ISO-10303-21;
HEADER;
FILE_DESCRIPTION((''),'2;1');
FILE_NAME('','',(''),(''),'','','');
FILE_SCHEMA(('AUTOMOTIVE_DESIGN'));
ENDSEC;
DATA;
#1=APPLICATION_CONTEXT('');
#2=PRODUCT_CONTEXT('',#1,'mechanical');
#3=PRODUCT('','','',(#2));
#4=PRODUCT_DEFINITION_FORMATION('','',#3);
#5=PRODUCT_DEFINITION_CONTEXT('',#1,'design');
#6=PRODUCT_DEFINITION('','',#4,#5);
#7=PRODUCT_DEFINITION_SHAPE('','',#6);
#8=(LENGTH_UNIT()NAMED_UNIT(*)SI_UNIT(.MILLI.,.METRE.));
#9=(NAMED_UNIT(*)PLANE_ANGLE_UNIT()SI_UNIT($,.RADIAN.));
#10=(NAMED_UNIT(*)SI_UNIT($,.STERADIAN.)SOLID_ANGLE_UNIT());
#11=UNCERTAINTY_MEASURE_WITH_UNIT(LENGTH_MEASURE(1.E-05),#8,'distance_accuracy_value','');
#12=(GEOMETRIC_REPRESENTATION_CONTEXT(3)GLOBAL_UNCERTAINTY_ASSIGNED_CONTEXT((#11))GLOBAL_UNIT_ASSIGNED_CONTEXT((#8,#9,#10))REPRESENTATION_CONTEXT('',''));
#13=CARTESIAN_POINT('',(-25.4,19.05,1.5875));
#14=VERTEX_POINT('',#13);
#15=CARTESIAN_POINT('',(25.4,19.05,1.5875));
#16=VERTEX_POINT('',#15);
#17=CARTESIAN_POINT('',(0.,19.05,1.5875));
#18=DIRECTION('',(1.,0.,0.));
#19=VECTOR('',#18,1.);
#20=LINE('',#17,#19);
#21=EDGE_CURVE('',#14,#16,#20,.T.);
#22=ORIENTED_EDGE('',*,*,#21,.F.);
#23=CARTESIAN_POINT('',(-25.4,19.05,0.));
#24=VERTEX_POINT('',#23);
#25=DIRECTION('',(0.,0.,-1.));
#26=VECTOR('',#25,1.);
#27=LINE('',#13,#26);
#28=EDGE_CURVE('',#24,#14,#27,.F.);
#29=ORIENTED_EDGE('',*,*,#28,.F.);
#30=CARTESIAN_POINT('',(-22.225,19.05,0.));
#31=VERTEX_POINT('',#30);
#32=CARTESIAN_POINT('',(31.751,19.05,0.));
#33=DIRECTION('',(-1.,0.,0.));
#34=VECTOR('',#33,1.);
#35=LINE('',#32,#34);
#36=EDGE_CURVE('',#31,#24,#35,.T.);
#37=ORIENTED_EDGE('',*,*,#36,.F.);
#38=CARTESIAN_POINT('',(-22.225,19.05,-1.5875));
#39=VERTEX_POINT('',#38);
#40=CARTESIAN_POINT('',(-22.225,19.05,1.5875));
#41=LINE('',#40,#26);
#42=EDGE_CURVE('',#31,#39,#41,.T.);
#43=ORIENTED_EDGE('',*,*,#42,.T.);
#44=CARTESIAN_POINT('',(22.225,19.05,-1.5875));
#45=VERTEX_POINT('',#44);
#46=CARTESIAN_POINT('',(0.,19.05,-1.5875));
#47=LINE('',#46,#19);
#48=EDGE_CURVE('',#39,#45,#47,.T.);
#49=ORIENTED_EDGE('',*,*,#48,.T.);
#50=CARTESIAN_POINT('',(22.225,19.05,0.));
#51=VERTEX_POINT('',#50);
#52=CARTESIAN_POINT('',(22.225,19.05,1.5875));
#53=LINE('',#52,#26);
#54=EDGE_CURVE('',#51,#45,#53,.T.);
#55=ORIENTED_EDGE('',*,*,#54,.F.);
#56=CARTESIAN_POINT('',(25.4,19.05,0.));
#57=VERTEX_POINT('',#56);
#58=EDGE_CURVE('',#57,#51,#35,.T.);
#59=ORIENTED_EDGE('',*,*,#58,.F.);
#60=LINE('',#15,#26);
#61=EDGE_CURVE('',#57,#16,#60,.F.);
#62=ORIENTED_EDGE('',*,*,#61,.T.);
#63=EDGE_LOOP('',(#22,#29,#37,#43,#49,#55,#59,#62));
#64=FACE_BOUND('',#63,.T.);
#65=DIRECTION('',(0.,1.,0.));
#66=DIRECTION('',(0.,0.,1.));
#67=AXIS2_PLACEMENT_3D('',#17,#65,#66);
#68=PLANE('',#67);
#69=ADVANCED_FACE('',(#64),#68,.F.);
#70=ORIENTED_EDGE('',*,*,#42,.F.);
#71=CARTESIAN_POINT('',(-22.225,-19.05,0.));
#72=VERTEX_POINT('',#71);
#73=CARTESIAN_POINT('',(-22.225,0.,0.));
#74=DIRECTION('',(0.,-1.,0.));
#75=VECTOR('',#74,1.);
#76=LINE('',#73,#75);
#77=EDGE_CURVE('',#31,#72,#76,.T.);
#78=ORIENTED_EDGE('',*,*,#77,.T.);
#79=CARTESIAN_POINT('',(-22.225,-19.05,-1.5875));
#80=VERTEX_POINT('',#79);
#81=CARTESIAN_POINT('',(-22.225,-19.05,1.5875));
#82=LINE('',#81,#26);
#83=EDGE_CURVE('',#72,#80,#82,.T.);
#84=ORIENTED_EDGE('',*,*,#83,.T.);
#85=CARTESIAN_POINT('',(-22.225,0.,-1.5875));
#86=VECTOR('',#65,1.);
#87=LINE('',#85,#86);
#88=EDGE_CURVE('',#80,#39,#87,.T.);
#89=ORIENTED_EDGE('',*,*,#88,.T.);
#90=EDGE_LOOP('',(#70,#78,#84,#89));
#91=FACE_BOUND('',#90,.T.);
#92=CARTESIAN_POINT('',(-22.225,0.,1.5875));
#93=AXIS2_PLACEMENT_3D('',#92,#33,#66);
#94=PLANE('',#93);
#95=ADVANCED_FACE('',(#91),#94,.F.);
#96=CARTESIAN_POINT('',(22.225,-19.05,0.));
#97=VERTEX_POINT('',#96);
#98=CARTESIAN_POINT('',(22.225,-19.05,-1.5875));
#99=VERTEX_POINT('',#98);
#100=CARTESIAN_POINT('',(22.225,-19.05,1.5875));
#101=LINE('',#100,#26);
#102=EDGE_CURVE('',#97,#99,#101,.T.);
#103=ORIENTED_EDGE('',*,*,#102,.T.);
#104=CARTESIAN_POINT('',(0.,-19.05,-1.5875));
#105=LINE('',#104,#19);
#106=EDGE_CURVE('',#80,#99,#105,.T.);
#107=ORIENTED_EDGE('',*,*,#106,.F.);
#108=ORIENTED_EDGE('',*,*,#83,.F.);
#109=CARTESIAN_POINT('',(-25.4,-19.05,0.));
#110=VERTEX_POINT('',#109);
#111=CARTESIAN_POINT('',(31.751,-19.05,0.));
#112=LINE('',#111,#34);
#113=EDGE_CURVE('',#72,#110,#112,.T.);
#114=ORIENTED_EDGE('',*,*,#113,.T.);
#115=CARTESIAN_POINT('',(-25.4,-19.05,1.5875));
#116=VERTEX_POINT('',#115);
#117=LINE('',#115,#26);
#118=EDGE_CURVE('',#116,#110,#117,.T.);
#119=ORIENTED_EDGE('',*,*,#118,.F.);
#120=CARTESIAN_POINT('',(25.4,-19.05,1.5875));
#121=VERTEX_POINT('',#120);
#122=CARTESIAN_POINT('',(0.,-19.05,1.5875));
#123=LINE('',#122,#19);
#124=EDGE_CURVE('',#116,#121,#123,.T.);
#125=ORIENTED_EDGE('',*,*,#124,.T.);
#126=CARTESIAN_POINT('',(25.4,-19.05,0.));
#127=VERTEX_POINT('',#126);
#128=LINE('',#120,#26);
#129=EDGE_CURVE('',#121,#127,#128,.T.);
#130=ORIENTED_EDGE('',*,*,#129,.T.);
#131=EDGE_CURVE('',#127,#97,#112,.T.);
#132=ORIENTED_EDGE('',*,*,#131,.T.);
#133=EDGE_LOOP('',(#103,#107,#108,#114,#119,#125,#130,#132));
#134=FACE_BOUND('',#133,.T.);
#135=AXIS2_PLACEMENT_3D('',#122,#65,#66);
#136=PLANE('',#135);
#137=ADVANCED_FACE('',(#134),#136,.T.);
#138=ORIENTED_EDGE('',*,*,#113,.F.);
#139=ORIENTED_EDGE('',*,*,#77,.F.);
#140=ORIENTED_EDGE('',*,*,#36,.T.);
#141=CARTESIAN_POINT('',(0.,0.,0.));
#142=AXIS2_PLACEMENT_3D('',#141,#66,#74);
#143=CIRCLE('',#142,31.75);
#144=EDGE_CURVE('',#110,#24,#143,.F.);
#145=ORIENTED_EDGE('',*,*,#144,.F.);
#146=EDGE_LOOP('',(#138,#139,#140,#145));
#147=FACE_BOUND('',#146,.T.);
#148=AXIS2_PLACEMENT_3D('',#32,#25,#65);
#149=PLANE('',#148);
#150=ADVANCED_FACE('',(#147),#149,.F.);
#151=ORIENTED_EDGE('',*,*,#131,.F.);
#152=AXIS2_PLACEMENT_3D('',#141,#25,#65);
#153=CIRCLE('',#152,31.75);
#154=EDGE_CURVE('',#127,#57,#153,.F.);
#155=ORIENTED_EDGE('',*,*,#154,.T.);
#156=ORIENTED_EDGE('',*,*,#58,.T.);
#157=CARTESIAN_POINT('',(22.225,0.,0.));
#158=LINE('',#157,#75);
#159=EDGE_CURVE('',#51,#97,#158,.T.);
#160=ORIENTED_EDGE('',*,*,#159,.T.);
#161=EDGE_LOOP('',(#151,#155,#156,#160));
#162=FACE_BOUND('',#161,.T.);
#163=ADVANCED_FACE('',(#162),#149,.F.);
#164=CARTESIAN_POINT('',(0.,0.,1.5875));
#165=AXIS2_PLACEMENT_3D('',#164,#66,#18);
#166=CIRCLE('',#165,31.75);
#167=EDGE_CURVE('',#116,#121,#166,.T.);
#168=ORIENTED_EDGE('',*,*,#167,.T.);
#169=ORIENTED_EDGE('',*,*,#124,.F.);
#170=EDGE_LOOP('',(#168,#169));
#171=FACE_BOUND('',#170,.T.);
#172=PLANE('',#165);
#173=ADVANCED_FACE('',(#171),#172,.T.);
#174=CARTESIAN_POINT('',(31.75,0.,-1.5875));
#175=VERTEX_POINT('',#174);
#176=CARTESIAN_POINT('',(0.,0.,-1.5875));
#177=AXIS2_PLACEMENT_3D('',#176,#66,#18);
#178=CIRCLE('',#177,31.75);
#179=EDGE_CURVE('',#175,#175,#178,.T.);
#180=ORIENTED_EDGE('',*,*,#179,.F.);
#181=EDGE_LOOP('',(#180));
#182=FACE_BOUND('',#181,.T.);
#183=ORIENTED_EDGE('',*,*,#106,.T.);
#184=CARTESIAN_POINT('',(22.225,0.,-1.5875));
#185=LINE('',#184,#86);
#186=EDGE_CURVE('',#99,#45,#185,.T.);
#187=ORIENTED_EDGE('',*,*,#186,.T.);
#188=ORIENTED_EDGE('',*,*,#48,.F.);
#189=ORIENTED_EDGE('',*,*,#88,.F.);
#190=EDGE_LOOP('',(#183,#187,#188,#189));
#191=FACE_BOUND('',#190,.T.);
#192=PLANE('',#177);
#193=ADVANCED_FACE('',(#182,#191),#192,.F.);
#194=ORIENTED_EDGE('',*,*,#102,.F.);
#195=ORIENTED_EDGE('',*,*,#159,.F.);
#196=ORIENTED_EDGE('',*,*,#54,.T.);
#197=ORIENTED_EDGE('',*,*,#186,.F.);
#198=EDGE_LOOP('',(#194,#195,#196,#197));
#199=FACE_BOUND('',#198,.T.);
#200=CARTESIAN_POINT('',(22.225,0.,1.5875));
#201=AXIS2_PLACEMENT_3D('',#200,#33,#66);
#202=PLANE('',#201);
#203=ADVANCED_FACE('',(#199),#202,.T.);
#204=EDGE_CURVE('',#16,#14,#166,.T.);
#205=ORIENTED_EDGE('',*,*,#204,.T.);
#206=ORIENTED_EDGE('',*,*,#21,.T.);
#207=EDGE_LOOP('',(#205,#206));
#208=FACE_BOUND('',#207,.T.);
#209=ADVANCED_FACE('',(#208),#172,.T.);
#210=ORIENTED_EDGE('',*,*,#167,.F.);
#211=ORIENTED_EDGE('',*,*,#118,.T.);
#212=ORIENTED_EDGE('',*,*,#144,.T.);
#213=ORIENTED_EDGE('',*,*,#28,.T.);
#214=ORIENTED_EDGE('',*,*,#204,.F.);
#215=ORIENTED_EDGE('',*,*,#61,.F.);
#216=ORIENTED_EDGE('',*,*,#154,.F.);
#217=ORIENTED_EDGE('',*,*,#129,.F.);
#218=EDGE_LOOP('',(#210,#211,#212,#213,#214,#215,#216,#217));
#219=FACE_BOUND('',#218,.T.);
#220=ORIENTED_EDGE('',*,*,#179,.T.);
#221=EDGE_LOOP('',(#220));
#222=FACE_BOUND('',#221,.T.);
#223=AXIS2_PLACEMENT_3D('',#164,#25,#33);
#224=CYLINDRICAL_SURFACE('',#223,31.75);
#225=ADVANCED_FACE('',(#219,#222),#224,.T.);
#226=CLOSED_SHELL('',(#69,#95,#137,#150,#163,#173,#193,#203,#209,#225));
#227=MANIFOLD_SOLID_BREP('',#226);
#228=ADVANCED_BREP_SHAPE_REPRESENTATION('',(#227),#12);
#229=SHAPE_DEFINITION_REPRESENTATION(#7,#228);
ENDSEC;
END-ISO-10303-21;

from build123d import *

# Parameters (mm, degrees)
SKETCH1_R                = 31.75
SKETCH1_W                = 44.45
SKETCH1_H                = 38.1
BASE_DEPTH               = 1.5875
TRENCH_REACH             = 11.525
SKETCH2_W                = 1.5875
SKETCH2_H                = 38.1
TRENCH_DIRECTION_2_REACH = 55.975


with BuildPart() as part:
    # Sketch1 → Base (new body, symmetric)
    with BuildSketch(Plane.XY):
        Circle(SKETCH1_R)
        Rectangle(SKETCH1_W, SKETCH1_H, mode=Mode.SUBTRACT)
    extrude(amount=BASE_DEPTH, both=True)

    # Sketch2 → Trench (cut, up to next)
    with BuildSketch(Plane.ZY.offset(-22.225), mode=Mode.PRIVATE) as trench_sk1:
        with Locations((0.79375, 0)):
            Rectangle(SKETCH2_W, SKETCH2_H)
    trench_tool1 = extrude(trench_sk1.sketch, amount=-TRENCH_REACH, mode=Mode.PRIVATE) & part.part
    add(trench_tool1.solids().sort_by_distance((22.225, 0, 0.79375))[0], mode=Mode.SUBTRACT)

    # Sketch2 → Trench direction 2 (cut, up to next)
    with BuildSketch(Plane.ZY.offset(-22.225), mode=Mode.PRIVATE) as trench_direction_2_sk1:
        with Locations((0.79375, 0)):
            Rectangle(SKETCH2_W, SKETCH2_H)
    trench_direction_2_tool1 = extrude(trench_direction_2_sk1.sketch, amount=TRENCH_DIRECTION_2_REACH, mode=Mode.PRIVATE) & part.part
    add(trench_direction_2_tool1.solids().sort_by_distance((22.225, 0, 0.79375))[0], mode=Mode.SUBTRACT)


solid = part.part
